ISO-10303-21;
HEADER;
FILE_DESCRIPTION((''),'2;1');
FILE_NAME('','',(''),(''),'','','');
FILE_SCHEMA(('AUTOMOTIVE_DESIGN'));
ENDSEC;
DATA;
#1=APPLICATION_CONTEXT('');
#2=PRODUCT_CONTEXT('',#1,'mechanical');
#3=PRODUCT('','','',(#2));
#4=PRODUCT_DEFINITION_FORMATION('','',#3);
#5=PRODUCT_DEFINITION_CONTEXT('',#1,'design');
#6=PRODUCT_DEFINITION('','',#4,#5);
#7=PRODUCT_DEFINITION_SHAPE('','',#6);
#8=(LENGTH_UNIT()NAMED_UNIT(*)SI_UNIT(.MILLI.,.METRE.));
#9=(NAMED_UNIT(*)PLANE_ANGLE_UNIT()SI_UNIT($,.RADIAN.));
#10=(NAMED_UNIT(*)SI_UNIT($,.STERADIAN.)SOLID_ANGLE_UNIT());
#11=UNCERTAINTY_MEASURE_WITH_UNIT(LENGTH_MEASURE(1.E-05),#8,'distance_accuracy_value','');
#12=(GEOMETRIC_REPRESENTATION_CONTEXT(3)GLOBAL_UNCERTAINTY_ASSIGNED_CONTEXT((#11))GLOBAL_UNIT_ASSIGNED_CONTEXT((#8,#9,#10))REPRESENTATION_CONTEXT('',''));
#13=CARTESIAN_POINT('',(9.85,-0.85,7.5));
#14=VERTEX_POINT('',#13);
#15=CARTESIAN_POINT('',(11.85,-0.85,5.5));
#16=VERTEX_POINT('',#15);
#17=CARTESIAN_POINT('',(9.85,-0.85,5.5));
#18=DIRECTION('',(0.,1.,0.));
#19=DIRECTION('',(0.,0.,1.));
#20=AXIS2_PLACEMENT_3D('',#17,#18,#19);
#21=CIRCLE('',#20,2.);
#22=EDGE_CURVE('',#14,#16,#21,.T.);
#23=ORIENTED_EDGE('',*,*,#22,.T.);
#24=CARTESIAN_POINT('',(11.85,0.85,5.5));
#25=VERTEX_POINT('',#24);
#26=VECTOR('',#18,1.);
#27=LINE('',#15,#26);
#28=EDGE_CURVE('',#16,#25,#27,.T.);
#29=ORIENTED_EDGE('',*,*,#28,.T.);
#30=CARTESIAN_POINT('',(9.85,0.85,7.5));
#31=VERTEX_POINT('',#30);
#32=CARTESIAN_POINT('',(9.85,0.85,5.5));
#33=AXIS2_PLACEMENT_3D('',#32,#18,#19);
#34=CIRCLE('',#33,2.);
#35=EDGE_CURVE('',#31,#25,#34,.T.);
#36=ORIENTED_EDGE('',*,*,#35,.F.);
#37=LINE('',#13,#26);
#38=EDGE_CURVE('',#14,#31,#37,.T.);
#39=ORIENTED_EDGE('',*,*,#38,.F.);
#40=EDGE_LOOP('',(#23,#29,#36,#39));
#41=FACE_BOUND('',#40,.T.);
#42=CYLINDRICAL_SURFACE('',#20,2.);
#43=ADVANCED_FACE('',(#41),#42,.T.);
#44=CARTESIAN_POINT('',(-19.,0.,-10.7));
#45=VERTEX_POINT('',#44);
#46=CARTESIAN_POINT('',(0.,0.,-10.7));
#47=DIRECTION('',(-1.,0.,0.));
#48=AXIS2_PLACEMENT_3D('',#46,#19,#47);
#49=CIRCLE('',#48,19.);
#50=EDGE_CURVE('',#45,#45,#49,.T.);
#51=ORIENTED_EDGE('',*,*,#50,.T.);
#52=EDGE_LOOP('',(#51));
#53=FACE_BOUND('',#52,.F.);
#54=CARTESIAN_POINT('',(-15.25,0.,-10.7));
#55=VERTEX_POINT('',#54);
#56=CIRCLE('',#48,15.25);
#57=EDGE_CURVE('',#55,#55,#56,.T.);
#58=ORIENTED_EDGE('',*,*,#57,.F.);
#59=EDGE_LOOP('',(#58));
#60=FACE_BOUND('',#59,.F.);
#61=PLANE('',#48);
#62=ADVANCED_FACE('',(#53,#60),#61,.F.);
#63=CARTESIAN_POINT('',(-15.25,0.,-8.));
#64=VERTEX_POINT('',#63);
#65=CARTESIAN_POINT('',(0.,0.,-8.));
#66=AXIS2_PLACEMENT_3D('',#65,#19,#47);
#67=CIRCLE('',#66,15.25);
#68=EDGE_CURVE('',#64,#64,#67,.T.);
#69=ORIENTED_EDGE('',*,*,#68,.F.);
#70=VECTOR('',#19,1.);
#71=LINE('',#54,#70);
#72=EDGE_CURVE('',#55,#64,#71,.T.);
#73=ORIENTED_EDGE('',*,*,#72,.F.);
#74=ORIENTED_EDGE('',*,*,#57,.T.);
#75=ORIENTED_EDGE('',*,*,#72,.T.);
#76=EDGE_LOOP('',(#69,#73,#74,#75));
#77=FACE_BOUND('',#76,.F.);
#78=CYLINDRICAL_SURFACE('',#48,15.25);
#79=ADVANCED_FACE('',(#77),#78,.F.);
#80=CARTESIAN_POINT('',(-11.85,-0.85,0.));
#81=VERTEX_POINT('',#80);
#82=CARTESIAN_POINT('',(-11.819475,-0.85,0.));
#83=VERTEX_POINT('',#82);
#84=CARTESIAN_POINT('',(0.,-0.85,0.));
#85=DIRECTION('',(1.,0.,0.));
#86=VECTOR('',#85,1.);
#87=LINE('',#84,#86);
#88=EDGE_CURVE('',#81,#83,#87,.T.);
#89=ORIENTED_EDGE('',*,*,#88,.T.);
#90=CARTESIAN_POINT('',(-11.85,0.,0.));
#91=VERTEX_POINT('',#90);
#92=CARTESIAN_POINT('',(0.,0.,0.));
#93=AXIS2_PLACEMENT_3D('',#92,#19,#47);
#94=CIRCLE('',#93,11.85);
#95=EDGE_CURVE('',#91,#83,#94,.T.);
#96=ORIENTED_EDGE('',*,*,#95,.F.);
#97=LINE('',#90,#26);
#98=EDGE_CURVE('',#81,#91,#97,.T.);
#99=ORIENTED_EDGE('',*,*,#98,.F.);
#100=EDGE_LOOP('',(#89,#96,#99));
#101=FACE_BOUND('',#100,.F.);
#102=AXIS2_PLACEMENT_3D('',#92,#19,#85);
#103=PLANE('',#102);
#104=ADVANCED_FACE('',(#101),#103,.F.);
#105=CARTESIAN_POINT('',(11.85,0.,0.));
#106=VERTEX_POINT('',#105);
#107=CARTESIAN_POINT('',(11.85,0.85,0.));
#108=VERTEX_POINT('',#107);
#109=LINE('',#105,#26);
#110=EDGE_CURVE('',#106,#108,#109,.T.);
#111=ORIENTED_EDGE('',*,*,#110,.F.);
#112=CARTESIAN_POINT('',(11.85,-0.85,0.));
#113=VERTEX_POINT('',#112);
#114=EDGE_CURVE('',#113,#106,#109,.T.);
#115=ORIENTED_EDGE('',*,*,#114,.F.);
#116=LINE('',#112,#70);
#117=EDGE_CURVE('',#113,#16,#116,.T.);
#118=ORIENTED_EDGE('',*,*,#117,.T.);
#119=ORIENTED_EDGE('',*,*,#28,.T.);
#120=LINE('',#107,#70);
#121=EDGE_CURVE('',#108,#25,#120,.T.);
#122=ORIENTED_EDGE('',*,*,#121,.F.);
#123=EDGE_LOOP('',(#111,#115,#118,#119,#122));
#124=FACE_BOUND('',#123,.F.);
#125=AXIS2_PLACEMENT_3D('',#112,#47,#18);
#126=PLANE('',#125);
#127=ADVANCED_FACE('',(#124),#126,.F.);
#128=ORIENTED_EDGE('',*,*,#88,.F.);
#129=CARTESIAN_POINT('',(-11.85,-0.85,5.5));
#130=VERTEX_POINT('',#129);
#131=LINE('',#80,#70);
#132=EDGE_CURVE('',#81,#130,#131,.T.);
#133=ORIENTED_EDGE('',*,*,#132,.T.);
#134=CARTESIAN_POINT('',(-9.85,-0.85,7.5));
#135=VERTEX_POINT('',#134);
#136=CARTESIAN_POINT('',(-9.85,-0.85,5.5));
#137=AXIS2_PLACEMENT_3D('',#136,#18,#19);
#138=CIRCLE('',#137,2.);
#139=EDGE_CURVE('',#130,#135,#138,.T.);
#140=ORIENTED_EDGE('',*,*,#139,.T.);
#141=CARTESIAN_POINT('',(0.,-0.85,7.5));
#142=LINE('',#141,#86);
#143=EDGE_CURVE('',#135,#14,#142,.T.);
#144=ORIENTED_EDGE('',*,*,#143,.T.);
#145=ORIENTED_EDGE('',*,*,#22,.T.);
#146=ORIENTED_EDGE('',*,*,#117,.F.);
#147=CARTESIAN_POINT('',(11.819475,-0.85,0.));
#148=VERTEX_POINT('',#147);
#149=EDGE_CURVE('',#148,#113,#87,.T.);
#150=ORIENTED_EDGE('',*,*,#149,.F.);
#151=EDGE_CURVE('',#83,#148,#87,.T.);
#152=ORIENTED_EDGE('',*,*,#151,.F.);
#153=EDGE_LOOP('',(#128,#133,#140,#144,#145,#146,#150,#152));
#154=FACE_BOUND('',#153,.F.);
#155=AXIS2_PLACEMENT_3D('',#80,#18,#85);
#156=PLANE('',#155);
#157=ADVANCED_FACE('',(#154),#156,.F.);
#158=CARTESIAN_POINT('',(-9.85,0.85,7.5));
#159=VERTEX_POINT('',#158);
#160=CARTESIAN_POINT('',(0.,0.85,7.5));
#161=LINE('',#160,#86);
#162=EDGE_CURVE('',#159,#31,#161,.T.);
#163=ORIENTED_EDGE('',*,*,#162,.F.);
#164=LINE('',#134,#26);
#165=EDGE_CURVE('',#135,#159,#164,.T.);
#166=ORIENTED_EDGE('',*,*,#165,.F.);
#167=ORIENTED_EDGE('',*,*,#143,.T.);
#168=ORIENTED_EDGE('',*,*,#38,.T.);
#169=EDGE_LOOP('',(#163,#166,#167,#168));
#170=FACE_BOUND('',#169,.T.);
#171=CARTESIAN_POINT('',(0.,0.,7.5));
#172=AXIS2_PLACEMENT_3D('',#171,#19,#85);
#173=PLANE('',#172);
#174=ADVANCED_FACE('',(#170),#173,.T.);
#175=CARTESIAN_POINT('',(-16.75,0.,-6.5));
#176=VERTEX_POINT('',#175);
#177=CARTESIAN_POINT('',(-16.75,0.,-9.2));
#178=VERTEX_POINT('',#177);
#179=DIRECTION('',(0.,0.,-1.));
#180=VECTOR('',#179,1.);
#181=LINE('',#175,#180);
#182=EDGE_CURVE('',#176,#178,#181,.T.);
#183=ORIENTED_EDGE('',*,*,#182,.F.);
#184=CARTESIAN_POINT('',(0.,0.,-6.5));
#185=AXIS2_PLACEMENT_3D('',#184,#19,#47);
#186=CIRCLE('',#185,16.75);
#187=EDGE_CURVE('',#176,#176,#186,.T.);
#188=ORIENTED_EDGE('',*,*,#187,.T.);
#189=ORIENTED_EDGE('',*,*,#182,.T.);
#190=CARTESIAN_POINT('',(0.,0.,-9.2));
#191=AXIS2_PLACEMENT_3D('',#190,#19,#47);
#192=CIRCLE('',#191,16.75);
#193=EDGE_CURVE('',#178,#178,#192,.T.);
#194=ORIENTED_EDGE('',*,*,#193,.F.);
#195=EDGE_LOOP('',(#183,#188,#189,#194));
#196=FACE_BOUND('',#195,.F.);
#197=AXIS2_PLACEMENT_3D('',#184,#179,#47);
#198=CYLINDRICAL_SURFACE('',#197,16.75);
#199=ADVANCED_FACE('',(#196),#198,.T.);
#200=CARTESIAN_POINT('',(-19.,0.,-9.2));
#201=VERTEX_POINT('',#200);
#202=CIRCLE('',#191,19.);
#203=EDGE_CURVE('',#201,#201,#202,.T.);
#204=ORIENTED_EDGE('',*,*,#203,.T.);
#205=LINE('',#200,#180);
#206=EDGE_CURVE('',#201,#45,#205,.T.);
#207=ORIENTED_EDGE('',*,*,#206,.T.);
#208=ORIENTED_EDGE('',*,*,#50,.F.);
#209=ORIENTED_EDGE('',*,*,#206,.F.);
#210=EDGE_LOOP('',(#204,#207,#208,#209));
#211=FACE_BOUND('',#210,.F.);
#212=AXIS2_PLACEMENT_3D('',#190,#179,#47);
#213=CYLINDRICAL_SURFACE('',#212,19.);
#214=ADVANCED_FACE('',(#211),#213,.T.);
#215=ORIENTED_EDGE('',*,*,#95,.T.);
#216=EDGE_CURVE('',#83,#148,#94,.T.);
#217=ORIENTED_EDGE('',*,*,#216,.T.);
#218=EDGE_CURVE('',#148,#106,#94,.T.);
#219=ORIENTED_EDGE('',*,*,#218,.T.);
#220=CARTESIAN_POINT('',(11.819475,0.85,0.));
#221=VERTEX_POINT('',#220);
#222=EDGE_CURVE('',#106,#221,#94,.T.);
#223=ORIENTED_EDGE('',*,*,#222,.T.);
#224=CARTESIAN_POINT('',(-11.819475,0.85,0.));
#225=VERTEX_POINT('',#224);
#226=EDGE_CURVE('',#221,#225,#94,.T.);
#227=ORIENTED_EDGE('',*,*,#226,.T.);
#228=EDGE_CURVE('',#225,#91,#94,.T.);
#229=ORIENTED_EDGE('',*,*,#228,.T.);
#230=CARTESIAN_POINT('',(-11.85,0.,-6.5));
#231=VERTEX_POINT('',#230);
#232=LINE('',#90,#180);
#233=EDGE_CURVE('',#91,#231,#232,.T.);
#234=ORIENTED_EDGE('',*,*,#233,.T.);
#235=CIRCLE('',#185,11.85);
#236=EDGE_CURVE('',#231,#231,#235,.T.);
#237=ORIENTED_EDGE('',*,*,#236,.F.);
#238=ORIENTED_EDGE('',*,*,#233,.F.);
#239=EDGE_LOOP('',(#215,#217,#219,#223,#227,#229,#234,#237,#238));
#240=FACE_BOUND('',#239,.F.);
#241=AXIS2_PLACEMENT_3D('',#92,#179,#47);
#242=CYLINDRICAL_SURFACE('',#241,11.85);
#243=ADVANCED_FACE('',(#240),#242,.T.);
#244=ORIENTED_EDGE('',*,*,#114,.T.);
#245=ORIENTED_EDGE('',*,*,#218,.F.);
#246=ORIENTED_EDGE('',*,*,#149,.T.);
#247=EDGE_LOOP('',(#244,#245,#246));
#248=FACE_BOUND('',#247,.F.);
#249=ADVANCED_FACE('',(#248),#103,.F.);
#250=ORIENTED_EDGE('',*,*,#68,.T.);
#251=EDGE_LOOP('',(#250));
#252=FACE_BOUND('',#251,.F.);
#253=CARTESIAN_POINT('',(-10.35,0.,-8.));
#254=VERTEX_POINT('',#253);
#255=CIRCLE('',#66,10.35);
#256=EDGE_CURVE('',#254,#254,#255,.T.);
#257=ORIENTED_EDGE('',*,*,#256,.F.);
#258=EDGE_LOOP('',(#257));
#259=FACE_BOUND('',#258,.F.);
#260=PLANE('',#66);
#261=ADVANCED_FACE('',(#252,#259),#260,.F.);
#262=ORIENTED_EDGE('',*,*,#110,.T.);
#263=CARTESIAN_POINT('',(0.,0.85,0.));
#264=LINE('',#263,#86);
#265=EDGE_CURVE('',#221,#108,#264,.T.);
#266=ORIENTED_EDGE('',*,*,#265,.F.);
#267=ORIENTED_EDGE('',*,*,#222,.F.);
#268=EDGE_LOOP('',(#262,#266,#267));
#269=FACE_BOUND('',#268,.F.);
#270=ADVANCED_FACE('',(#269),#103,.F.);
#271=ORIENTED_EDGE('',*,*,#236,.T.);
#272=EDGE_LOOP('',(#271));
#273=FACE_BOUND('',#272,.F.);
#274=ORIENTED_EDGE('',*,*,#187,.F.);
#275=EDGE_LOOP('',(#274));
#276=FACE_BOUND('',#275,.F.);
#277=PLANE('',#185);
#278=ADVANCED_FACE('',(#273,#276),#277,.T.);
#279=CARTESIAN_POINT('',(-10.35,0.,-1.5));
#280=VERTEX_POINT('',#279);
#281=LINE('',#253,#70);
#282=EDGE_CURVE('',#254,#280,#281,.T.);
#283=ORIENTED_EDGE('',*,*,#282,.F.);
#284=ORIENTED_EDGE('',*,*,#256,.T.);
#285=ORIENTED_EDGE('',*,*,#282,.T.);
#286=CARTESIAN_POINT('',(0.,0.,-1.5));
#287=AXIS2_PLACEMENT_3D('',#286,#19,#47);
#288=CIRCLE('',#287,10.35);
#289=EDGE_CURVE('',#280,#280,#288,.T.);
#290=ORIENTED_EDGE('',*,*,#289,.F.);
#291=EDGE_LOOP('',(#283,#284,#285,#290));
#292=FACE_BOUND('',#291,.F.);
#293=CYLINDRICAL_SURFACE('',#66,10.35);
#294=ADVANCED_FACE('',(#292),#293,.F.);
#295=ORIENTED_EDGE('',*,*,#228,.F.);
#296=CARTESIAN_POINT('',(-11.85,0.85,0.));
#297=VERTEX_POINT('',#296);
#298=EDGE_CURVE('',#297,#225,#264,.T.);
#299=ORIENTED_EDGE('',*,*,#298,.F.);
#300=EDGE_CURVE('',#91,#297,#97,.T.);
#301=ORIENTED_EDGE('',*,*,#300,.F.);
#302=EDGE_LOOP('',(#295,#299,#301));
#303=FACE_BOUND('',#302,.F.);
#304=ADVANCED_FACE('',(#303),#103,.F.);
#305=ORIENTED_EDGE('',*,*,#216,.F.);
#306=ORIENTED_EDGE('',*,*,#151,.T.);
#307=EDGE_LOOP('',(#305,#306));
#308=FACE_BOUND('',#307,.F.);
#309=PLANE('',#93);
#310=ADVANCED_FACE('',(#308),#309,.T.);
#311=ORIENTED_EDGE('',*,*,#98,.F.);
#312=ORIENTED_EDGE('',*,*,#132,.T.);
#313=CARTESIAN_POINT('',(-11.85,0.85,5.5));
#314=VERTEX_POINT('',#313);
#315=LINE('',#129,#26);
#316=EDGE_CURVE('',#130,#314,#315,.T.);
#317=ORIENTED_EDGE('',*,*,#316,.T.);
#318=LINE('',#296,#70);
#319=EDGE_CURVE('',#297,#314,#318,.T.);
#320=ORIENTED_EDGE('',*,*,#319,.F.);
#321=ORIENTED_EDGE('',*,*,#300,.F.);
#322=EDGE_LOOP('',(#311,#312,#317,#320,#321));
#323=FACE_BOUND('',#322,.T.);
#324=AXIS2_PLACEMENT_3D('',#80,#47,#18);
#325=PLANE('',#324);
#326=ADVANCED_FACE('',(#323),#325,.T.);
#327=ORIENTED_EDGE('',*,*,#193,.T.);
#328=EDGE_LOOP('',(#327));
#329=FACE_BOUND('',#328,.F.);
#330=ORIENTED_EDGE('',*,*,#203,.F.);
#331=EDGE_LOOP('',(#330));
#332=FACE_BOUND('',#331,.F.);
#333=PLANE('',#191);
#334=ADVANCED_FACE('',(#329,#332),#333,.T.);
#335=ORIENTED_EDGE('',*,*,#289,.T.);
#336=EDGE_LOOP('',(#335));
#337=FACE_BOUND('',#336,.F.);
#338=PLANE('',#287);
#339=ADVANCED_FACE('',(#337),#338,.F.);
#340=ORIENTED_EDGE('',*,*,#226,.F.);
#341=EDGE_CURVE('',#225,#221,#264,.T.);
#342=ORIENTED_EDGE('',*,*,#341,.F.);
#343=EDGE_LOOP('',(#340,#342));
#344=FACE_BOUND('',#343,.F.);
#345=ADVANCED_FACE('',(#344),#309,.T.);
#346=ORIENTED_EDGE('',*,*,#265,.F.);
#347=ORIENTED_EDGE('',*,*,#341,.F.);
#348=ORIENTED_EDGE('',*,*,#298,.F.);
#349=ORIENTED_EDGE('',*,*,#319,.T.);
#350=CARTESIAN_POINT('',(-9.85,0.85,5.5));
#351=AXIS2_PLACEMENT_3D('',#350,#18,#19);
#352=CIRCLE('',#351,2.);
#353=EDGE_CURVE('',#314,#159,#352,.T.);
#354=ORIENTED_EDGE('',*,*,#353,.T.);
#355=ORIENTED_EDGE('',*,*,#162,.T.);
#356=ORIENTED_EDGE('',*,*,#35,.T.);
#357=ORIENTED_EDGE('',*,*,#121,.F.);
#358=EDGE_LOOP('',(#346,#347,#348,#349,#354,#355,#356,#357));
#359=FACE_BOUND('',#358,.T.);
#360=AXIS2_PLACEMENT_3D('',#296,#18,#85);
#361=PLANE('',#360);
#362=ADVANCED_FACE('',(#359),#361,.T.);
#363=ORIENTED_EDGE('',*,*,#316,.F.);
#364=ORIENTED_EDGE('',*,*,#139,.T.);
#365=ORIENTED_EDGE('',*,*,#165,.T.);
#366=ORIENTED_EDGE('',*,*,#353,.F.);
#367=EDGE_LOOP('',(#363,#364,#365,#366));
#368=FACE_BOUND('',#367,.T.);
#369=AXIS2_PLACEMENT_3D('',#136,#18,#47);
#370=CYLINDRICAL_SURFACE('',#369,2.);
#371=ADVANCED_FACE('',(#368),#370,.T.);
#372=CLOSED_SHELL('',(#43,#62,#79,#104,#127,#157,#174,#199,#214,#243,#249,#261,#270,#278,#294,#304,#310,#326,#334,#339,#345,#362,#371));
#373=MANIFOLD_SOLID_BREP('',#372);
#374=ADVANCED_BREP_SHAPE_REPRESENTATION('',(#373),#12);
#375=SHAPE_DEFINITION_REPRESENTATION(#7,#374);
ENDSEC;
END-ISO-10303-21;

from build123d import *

# Parameters (mm, degrees)
F2_W     = 23.7
F2_H     = 1.7
F3_DEPTH = 7.5
F4_R     = 2
F5_R     = 2


with BuildPart() as f1:
    # F0 (on Front) → F1 (revolve)
    with BuildSketch(Plane.XZ):
        Polygon((0, -1.5), (0, 0), (-11.85, 0), (-11.85, -6.5), (-16.75, -6.5), (-16.75, -9.2), (-19, -9.2), (-19, -10.7), (-15.25, -10.7), (-15.25, -8), (-10.35, -8), (-10.35, -1.5), align=None)
    revolve(axis=Axis((0, 0, -0.75), (0, 0, 1)))

    # F2 (on Top) → F3 (join)
    with BuildSketch(Plane.XY):
        Rectangle(F2_W, F2_H)
    extrude(amount=F3_DEPTH)

    # F4
    f4_edges = [f1.edges().sort_by_distance(p)[0] for p in [
        (-11.85, 0, 7.5),
    ]]
    fillet(f4_edges, radius=F4_R)

    # F5
    f5_edges = [f1.edges().sort_by_distance(p)[0] for p in [
        (11.85, 0, 7.5),
    ]]
    fillet(f5_edges, radius=F5_R)


solid = f1.part
